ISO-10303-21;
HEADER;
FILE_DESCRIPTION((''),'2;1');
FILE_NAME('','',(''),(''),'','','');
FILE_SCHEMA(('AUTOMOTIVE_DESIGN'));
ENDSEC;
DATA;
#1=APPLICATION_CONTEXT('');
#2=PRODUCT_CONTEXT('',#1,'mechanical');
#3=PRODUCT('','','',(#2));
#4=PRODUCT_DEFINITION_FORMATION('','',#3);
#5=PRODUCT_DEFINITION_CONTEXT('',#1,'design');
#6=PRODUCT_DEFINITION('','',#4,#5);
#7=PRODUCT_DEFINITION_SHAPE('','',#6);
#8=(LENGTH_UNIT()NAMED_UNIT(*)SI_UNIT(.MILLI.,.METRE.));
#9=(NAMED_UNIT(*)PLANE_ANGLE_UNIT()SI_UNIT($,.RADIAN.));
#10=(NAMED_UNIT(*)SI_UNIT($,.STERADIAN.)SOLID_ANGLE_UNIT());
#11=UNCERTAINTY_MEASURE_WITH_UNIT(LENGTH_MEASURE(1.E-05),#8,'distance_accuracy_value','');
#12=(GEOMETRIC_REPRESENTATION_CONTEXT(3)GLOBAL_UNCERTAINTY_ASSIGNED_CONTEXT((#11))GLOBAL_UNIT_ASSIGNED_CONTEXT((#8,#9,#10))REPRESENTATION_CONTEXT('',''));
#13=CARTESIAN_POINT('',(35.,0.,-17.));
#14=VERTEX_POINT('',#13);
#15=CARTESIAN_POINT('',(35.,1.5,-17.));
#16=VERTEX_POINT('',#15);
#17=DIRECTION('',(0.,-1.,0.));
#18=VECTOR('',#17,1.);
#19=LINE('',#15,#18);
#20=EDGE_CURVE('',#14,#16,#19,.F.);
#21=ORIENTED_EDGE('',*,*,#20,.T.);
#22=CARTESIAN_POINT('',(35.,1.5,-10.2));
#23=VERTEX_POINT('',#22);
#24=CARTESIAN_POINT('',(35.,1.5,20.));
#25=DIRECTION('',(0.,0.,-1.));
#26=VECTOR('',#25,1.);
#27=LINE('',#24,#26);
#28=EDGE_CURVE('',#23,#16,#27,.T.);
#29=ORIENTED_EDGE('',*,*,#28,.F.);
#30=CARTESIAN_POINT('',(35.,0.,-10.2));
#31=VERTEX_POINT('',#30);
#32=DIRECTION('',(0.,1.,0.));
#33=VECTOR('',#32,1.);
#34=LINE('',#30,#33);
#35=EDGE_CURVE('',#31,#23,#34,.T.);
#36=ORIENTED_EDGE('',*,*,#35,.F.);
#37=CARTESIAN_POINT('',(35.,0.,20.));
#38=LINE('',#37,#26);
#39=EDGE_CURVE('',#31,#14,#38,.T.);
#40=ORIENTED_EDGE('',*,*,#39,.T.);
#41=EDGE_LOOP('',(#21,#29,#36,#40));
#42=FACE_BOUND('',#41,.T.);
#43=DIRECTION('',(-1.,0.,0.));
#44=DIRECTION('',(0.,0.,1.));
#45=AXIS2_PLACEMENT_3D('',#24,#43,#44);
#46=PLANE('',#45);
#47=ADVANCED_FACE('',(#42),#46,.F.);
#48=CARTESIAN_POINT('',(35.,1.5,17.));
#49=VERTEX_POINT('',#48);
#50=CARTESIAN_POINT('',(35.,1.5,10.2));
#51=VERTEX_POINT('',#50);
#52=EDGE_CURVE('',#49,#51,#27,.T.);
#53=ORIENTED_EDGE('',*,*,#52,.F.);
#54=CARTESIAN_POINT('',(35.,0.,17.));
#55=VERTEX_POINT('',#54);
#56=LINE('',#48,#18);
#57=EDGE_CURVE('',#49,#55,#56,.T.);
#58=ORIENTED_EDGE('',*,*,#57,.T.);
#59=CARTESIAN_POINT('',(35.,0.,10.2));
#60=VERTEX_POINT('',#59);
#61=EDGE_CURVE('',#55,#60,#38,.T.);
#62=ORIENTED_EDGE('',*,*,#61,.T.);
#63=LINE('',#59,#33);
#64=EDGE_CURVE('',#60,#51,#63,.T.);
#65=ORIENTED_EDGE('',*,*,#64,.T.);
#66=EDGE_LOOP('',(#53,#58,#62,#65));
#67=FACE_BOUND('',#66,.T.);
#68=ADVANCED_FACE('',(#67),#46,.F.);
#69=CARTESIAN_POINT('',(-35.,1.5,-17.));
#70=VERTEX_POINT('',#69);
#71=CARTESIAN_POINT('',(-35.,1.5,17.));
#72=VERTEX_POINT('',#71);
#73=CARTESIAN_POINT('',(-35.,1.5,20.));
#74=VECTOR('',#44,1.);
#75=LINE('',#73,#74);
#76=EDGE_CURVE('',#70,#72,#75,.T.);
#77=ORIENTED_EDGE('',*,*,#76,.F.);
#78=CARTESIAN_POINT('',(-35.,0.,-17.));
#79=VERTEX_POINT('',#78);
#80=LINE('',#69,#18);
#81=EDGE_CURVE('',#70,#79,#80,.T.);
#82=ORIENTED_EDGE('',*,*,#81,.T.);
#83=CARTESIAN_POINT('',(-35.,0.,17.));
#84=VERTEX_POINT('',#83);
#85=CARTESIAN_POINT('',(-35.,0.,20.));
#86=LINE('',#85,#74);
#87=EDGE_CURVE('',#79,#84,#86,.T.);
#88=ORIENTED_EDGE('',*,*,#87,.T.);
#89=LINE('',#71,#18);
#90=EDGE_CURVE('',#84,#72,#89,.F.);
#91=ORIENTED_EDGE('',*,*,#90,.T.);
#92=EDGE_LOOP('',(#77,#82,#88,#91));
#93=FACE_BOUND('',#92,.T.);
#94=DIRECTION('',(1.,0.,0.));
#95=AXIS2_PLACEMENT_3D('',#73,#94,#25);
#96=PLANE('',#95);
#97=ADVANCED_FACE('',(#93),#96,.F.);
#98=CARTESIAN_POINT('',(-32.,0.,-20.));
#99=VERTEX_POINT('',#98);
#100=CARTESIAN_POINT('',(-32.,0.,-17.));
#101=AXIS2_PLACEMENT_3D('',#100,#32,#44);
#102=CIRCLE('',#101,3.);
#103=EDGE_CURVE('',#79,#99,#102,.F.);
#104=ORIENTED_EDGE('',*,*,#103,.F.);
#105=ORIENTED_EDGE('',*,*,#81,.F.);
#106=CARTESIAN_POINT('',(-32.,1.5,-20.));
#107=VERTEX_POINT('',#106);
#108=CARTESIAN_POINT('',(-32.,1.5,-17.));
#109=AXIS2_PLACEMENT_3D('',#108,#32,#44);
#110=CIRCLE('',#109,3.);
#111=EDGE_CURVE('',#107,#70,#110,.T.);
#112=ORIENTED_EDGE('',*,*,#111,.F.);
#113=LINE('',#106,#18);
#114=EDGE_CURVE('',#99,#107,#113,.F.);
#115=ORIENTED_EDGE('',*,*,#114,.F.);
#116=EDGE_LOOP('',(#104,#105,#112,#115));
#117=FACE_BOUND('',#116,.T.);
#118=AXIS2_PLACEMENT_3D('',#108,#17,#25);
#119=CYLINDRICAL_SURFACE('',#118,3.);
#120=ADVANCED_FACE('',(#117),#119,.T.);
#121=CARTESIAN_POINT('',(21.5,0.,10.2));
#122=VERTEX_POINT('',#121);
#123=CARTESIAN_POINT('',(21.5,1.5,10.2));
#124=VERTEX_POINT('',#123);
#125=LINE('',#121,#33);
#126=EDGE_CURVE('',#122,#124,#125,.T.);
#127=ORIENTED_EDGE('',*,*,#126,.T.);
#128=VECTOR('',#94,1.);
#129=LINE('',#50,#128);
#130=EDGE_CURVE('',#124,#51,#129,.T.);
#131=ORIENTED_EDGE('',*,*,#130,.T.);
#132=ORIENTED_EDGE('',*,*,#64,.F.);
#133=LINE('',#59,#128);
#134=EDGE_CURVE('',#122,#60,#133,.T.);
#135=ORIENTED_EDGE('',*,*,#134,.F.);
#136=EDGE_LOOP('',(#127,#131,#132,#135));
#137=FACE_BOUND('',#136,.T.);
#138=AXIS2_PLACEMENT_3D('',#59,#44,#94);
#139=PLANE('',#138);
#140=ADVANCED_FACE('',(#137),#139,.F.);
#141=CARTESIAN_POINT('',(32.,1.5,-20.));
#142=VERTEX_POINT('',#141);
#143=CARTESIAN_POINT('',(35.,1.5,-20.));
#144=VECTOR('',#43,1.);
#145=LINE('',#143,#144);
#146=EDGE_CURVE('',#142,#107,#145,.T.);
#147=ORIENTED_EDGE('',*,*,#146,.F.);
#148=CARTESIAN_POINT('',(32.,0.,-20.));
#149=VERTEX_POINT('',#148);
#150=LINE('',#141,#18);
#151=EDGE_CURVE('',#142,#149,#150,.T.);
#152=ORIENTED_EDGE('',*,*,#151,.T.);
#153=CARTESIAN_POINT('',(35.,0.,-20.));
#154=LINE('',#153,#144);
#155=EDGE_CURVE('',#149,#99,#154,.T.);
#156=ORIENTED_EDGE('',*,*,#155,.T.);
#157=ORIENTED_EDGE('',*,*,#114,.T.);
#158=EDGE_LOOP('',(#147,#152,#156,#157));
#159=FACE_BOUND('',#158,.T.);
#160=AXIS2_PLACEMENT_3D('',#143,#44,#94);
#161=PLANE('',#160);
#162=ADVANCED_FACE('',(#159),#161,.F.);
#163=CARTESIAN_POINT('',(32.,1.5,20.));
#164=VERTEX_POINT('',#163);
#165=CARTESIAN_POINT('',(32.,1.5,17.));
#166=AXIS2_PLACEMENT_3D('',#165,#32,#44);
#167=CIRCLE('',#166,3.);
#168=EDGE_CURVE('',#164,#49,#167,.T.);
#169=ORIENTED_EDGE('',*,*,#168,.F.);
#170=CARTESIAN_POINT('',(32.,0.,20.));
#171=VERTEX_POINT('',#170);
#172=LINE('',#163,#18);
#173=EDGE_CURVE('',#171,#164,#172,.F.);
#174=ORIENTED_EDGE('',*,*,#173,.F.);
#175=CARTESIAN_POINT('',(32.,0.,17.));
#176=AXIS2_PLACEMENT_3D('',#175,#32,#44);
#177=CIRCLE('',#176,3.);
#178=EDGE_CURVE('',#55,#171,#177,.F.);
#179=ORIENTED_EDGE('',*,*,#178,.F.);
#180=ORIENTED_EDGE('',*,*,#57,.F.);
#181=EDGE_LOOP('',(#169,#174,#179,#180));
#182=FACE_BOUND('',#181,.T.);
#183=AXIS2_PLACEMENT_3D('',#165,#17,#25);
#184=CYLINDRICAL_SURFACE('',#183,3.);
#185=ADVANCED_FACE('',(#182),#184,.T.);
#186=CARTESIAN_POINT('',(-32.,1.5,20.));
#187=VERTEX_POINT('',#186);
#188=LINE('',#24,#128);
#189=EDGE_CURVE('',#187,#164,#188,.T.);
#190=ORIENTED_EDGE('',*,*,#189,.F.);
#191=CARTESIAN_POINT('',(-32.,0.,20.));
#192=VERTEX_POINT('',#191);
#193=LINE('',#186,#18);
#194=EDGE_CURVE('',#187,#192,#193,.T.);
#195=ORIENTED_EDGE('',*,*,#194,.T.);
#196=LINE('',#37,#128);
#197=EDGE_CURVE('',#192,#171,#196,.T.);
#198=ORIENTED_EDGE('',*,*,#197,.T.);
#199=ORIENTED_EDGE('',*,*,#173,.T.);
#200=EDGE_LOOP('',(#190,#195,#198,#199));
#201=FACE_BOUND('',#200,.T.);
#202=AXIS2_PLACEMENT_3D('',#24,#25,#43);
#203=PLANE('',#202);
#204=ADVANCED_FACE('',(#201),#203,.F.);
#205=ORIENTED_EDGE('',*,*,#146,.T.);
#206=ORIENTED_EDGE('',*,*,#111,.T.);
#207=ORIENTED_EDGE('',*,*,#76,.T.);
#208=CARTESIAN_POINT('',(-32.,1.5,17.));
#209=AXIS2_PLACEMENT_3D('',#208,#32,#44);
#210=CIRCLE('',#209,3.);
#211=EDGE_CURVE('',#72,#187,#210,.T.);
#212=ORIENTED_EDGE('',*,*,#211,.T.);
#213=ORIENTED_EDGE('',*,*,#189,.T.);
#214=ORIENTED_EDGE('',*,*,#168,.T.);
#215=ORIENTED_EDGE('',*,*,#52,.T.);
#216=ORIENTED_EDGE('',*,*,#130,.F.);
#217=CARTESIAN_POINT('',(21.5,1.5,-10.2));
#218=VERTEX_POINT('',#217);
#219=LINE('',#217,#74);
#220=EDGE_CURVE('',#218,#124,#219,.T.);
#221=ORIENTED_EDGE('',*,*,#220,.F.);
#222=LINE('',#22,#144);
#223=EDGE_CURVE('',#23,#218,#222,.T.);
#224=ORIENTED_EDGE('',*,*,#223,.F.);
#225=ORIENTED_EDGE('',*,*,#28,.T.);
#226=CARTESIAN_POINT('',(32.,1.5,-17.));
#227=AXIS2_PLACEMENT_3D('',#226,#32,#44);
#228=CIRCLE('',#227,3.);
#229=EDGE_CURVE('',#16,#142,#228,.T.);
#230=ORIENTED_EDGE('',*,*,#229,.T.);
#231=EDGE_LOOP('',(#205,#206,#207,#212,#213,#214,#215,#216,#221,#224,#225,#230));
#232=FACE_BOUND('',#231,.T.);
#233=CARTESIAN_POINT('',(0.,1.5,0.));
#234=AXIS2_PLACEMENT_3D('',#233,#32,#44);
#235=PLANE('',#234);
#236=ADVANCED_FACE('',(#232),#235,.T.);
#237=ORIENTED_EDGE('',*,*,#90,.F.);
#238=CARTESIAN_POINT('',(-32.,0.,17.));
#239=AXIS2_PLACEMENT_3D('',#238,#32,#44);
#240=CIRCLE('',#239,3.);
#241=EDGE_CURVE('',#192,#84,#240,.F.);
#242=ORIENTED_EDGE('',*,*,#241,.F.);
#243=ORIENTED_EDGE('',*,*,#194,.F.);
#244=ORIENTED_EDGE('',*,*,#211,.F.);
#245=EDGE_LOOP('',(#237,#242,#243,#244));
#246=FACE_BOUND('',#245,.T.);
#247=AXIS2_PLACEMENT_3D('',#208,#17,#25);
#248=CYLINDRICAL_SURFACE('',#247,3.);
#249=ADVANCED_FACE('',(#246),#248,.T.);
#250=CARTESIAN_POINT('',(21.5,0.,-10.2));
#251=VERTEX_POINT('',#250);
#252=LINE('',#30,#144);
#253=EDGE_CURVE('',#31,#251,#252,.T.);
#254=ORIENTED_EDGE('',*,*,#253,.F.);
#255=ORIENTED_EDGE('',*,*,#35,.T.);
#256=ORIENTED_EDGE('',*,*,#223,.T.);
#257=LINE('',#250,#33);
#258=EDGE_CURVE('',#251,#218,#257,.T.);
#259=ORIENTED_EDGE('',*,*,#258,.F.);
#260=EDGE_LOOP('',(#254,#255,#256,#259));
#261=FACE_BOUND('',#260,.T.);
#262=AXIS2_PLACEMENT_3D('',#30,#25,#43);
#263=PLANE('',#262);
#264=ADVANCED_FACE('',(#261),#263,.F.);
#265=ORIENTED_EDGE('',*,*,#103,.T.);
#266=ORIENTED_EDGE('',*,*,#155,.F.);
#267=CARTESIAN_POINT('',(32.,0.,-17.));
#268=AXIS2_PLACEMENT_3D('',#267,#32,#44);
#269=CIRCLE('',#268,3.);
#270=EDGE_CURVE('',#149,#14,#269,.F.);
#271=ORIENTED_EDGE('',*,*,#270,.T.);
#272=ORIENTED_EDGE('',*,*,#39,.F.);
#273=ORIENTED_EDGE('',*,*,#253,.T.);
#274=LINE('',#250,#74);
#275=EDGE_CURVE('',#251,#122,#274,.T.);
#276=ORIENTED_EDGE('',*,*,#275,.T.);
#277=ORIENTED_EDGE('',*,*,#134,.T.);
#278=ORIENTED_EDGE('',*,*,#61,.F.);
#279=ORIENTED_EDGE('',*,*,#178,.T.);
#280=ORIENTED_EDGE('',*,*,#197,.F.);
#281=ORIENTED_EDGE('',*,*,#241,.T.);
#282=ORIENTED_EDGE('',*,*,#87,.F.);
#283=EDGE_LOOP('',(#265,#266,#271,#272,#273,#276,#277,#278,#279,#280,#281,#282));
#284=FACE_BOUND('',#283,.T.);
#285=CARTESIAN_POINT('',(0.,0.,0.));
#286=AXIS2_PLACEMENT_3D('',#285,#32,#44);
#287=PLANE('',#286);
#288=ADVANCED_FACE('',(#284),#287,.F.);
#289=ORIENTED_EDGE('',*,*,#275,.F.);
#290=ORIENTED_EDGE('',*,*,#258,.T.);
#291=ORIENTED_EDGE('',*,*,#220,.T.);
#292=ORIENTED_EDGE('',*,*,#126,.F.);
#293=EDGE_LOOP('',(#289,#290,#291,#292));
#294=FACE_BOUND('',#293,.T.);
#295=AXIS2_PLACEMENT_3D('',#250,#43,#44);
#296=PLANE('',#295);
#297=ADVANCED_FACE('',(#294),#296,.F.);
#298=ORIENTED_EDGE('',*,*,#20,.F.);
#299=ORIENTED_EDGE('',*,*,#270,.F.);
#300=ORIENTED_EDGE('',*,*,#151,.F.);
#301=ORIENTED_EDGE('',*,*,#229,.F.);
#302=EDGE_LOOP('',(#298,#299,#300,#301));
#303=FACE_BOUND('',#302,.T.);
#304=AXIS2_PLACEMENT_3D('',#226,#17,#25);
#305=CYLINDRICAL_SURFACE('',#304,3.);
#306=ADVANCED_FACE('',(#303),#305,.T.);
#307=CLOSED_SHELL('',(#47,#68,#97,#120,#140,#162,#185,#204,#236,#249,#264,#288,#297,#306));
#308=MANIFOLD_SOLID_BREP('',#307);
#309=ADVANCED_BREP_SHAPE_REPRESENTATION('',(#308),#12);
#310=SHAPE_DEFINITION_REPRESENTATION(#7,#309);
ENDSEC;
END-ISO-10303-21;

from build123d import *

# Parameters (mm, degrees)
SKETCH_1_W          = 70
SKETCH_1_H          = 40
EXTRUDE_1_DEPTH     = 1.5
FILLET_1_R          = 3
SKETCH_2_W          = 13.5
SKETCH_2_H          = 20.4
CUT_EXTRUDE_1_DEPTH = 41.339186903


with BuildPart() as part:
    # Эскиз1 → Бобышка-Вытянуть1 (new body)
    with BuildSketch(Plane(origin=(0, 0, 0), x_dir=(1, 0, 0), z_dir=(0, 1, 0))):
        Rectangle(SKETCH_1_W, SKETCH_1_H)
    extrude(amount=EXTRUDE_1_DEPTH)

    # Скругление1
    fillet_1_edges = [part.edges().sort_by_distance(p)[0] for p in [
        (-35, 0.75, -20),
        (35, 0.75, -20),
        (35, 0.75, 20),
        (-35, 0.75, 20),
    ]]
    fillet(fillet_1_edges, radius=FILLET_1_R)

    # Эскиз2 → Вырез-Вытянуть1 (cut, through all)
    with BuildSketch(Plane(origin=(0, 1.5, 0), x_dir=(1, 0, 0), z_dir=(0, 1, 0))):
        with Locations((28.25, 0)):
            Rectangle(SKETCH_2_W, SKETCH_2_H)
    extrude(amount=-CUT_EXTRUDE_1_DEPTH, mode=Mode.SUBTRACT)


solid = part.part
